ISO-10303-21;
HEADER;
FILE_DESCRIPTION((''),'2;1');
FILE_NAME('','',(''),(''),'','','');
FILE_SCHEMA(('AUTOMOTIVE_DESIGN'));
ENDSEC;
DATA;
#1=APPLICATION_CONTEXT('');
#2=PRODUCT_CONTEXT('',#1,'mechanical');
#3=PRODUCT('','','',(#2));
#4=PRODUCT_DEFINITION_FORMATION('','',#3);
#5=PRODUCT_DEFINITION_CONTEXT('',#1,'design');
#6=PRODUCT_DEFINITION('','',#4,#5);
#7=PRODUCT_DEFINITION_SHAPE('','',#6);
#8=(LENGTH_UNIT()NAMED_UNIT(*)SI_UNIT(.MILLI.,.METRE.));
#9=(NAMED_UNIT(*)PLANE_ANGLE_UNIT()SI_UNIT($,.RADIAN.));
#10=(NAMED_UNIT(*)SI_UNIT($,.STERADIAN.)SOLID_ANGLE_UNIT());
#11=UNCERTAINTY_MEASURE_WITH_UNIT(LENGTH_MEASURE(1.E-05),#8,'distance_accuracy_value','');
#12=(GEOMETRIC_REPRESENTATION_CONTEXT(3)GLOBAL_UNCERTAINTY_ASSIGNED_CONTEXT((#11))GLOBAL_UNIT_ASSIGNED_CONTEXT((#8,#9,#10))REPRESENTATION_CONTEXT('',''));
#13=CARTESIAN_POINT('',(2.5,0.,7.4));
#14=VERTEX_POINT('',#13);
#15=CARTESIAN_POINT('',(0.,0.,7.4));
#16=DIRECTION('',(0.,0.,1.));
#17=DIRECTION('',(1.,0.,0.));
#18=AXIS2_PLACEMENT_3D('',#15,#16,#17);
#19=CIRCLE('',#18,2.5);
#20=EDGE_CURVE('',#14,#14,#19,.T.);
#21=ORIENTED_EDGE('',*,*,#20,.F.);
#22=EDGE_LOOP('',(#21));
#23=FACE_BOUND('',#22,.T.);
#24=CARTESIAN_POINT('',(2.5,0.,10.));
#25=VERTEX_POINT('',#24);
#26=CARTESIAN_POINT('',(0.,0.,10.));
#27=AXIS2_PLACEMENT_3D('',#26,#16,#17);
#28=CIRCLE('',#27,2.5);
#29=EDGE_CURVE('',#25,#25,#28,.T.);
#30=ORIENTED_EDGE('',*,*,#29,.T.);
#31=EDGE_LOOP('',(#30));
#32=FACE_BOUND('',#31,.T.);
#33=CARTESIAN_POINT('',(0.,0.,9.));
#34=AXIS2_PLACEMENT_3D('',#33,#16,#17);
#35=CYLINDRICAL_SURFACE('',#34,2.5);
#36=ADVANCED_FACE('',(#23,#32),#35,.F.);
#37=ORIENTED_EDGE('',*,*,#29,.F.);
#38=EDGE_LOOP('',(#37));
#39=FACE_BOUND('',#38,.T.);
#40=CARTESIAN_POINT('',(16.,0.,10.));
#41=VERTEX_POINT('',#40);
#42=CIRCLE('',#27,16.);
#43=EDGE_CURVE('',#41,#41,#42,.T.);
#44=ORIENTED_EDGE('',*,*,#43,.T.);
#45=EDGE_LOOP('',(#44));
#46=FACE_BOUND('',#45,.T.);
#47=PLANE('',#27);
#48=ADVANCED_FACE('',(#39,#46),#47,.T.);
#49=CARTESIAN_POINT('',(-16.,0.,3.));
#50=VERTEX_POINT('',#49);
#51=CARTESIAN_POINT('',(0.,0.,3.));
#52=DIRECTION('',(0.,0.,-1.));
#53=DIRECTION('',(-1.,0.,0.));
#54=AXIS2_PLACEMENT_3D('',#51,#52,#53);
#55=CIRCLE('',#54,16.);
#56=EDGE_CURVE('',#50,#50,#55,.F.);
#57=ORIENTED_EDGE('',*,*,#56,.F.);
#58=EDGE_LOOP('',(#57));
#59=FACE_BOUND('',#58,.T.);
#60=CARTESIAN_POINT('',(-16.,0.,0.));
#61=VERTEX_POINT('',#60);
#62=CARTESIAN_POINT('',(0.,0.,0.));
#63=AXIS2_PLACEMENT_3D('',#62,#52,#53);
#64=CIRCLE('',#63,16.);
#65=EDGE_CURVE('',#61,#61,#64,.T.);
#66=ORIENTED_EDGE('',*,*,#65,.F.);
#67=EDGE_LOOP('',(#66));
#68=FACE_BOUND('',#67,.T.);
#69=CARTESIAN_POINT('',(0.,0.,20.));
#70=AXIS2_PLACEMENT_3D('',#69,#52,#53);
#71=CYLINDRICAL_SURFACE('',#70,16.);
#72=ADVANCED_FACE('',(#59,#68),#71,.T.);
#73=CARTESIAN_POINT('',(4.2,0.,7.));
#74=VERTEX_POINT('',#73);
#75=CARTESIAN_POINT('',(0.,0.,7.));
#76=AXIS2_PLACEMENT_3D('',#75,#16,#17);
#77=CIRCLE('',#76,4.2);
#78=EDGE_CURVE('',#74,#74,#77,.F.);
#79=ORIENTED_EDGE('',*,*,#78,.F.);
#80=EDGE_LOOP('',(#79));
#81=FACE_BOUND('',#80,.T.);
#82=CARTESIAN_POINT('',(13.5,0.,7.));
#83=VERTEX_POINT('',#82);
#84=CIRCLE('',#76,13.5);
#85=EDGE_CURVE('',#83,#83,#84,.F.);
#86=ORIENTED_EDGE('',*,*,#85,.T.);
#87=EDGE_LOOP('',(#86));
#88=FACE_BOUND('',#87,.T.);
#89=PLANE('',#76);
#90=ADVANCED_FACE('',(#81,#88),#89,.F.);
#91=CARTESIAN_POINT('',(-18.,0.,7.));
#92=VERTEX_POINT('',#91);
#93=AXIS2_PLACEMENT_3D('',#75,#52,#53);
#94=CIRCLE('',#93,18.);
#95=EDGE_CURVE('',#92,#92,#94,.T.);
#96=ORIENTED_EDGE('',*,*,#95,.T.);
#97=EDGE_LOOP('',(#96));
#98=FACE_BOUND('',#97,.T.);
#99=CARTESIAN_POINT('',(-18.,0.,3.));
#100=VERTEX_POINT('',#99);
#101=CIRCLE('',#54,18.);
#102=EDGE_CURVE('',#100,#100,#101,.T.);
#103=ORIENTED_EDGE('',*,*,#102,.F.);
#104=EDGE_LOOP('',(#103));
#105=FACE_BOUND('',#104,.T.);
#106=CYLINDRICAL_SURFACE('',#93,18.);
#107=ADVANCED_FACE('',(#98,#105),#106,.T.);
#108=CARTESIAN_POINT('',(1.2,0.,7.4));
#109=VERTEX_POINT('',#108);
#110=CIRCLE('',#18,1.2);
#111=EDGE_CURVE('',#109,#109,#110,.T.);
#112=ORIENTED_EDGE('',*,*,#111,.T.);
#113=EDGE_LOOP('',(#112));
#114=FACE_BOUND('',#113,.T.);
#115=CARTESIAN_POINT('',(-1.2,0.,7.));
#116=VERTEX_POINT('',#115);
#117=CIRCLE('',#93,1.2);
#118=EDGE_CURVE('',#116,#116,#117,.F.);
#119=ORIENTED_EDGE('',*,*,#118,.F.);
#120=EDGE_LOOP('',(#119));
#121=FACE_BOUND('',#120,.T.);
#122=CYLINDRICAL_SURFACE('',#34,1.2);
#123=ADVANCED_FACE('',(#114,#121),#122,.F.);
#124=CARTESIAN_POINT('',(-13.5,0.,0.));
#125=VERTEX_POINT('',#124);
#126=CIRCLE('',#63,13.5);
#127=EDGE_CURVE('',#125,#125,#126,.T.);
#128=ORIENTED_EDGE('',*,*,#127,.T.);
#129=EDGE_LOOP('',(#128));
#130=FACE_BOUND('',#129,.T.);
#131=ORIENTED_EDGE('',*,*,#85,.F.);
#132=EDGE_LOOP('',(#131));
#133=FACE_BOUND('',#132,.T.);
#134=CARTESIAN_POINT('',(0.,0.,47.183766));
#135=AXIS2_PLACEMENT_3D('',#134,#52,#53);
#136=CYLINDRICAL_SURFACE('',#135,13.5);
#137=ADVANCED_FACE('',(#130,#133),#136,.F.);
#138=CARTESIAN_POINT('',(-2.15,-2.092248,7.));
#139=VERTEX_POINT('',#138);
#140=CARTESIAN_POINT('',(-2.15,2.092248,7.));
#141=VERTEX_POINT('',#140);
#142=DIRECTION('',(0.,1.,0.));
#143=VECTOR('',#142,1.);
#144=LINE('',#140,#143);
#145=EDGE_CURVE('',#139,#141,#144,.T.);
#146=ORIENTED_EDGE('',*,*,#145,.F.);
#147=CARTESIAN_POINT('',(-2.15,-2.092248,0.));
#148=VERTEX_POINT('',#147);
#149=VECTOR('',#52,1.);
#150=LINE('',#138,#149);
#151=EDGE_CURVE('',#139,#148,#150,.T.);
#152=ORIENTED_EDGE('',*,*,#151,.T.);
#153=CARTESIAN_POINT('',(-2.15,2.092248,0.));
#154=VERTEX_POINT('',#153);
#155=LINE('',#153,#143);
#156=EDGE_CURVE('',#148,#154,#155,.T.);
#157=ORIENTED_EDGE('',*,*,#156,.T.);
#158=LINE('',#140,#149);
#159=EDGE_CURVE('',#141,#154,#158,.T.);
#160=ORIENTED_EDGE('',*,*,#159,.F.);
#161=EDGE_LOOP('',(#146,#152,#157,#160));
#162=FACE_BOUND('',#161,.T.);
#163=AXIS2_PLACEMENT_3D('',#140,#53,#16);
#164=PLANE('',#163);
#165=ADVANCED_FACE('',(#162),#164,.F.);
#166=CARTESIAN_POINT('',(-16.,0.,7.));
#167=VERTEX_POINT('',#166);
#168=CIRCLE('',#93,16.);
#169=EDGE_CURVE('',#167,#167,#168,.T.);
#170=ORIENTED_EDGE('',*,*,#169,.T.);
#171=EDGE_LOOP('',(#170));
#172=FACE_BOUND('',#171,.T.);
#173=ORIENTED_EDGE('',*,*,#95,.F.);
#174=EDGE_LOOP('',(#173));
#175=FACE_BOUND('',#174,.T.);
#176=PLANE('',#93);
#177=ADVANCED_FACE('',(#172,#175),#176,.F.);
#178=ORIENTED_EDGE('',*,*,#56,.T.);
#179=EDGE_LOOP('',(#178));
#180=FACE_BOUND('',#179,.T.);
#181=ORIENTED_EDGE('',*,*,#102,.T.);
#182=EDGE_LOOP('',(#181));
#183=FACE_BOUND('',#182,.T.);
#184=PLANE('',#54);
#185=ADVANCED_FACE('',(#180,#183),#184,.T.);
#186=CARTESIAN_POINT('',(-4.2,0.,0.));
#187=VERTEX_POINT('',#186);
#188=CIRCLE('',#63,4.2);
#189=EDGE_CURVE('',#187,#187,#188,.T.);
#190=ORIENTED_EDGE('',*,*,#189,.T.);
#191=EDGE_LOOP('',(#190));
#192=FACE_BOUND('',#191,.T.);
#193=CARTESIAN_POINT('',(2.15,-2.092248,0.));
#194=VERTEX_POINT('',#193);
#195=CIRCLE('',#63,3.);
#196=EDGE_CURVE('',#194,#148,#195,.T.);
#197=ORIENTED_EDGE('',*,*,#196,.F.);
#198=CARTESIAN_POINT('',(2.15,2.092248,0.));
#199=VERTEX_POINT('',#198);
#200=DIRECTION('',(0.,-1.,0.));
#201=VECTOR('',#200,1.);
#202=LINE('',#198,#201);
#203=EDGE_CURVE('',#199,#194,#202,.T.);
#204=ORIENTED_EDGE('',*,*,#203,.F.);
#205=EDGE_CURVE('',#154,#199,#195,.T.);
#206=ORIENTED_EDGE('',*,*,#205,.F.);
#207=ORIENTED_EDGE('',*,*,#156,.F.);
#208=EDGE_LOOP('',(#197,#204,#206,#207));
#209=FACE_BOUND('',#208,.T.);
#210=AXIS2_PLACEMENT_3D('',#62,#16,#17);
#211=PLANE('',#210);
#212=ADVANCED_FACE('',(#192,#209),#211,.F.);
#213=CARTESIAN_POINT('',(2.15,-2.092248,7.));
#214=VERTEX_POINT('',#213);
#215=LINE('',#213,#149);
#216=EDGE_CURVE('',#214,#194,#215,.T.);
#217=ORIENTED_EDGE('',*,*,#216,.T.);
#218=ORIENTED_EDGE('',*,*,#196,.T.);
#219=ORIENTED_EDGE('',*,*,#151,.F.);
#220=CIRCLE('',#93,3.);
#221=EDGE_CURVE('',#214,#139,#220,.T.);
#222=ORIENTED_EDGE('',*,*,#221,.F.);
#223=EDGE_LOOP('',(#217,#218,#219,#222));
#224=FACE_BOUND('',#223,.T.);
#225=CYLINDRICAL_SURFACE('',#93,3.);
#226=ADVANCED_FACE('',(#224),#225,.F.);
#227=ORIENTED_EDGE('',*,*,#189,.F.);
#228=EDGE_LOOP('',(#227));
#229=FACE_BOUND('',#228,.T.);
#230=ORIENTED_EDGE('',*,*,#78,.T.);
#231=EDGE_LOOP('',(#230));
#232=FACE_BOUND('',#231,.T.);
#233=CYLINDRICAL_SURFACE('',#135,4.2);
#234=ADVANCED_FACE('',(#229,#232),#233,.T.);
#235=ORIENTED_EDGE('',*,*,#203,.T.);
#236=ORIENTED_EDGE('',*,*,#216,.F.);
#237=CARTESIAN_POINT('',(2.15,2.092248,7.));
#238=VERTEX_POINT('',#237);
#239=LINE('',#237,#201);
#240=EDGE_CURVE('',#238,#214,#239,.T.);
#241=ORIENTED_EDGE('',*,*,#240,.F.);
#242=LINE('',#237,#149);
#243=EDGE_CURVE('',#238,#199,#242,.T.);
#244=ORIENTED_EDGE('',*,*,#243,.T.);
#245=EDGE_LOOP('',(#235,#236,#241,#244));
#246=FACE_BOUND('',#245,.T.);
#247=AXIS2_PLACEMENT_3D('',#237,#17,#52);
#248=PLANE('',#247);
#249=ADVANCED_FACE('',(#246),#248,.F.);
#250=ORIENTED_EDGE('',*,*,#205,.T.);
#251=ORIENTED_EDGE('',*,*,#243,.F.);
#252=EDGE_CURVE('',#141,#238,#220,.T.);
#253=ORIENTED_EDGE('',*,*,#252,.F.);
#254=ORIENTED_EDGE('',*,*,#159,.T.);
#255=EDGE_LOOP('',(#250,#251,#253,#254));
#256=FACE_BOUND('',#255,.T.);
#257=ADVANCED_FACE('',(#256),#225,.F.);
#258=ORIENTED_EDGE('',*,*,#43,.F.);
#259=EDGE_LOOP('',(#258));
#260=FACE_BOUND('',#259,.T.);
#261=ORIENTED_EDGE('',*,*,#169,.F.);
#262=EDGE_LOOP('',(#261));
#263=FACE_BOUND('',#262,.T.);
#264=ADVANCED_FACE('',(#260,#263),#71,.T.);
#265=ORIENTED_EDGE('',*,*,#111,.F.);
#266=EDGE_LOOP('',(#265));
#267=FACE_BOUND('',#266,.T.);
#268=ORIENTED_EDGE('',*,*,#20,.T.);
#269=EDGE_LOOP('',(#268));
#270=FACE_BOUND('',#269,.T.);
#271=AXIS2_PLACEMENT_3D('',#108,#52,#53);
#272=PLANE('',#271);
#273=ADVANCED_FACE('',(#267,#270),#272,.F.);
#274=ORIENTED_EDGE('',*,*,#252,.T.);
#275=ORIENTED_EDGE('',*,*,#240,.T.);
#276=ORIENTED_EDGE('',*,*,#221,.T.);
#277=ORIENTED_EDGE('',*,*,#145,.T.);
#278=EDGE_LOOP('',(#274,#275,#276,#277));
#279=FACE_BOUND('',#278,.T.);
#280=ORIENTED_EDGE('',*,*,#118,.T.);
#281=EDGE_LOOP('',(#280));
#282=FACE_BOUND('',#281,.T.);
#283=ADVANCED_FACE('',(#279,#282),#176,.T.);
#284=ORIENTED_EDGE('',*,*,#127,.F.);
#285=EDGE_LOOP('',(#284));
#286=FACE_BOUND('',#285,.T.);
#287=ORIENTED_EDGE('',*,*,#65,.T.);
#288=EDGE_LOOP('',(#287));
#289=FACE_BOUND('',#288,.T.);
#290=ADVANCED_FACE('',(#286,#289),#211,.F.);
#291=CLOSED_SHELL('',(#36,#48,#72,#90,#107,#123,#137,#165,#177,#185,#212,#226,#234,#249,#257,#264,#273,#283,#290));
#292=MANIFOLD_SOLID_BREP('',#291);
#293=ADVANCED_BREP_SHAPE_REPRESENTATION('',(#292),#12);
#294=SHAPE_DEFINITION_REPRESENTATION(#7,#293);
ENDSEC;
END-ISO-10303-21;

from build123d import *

# Parameters (mm, degrees)
ESQUISSE1_R                                        = 14.5
BOSS_EXTRU_1_DEPTH                                 = 10
BOSS_EXTRU_2_START                                 = 1
ESQUISSE2_R                                        = 16.5
BOSS_EXTRU_2_DEPTH                                 = 8
ESQUISSE6_R                                        = 13.5
ENL_V_MAT_EXTRU_4_DEPTH                            = 1
CHAMBRAGE_POUR_VIS_T_TE_RONDE_BOMB_E_M_D           = 2.4
CHAMBRAGE_POUR_VIS_T_TE_RONDE_BOMB_E_M_CBORE_D     = 5
CHAMBRAGE_POUR_VIS_T_TE_RONDE_BOMB_E_M_CBORE_DEPTH = 1.6
ESQUISSE13_R                                       = 13.5
ESQUISSE13_R_2                                     = 4.2
ENL_V_MAT_EXTRU_7_DEPTH                            = 7
ENL_V_MAT_EXTRU_8_DEPTH                            = 7
BOSS_EXTRUDE2_START                                = -9
SKETCH2_R                                          = 16.5
SKETCH2_R_2                                        = 14.5
BOSS_EXTRUDE2_DEPTH                                = 10
SKETCH3_R                                          = 22.5
SKETCH3_R_2                                        = 16.5
BOSS_EXTRUDE3_DEPTH                                = 10
FILLET1_R                                          = 1
BOSS_EXTRUDE4_DEPTH                                = 0.5
CIRPATTERN1_COUNT                                  = 70
SKETCH5_R                                          = 40
SKETCH5_R_2                                        = 16
CUT_EXTRUDE1_DEPTH                                 = 20
BOSS_EXTRUDE5_START                                = -3
SKETCH6_R                                          = 18
SKETCH6_R_2                                        = 16
BOSS_EXTRUDE5_DEPTH                                = 4
SKETCH8_R                                          = 13.5
SKETCH8_R_2                                        = 2.5
BOSS_EXTRUDE6_DEPTH                                = 1


with BuildPart() as part:
    # Esquisse1 → Boss.-Extru.1 (new body)
    with BuildSketch(Plane.XY):
        Circle(ESQUISSE1_R)
    extrude(amount=BOSS_EXTRU_1_DEPTH)

    # Esquisse2 → Boss.-Extru.2 (add)
    with BuildSketch(Plane.XY.offset(BOSS_EXTRU_2_START)):
        Circle(ESQUISSE2_R)
    extrude(amount=BOSS_EXTRU_2_DEPTH)

    # Esquisse6 → Enlèv. mat.-Extru.4 (cut)
    with BuildSketch(Plane.XY.offset(10)):
        Circle(ESQUISSE6_R)
    extrude(amount=-ENL_V_MAT_EXTRU_4_DEPTH, mode=Mode.SUBTRACT)

    # Chambrage pour vis à tête ronde bombée M21 (through all)
    with Locations(Plane.XY.offset(9)):
        with Locations((0, 0)):
            CounterBoreHole(CHAMBRAGE_POUR_VIS_T_TE_RONDE_BOMB_E_M_D / 2, CHAMBRAGE_POUR_VIS_T_TE_RONDE_BOMB_E_M_CBORE_D / 2, CHAMBRAGE_POUR_VIS_T_TE_RONDE_BOMB_E_M_CBORE_DEPTH)

    # Esquisse13 → Enlèv. mat.-Extru.7 (cut)
    with BuildSketch(Plane(origin=(0, 0, 0), x_dir=(-1, 0, 0), z_dir=(0, 0, -1))):
        Circle(ESQUISSE13_R)
        Circle(ESQUISSE13_R_2, mode=Mode.SUBTRACT)
    extrude(amount=-ENL_V_MAT_EXTRU_7_DEPTH, mode=Mode.SUBTRACT)

    # Esquisse15 → Enlèv. mat.-Extru.8 (cut)
    with BuildSketch(Plane(origin=(0, 0, 0), x_dir=(-1, 0, 0), z_dir=(0, 0, -1))):
        with BuildLine():
            Line((-2.15, 2.092247595), (-2.15, -2.092247595))
            ThreePointArc((-2.15, -2.092247595), (0, -3), (2.15, -2.092247595))
            Line((2.15, -2.092247595), (2.15, 2.092247595))
            ThreePointArc((2.15, 2.092247595), (0, 3), (-2.15, 2.092247595))
        make_face()
    extrude(amount=-ENL_V_MAT_EXTRU_8_DEPTH, mode=Mode.SUBTRACT)

    # Sketch2 → Boss-Extrude2 (add)
    with BuildSketch(Plane(origin=(0, 0, 1), x_dir=(-1, 0, 0), z_dir=(0, 0, -1)).offset(BOSS_EXTRUDE2_START)):
        Circle(SKETCH2_R)
        Circle(SKETCH2_R_2, mode=Mode.SUBTRACT)
    extrude(amount=BOSS_EXTRUDE2_DEPTH)

    # Sketch3 → Boss-Extrude3 (add)
    with BuildSketch(Plane(origin=(0, 0, 0), x_dir=(-1, 0, 0), z_dir=(0, 0, -1))):
        Circle(SKETCH3_R)
        Circle(SKETCH3_R_2, mode=Mode.SUBTRACT)
    extrude(amount=-BOSS_EXTRUDE3_DEPTH)

    # Fillet1
    fillet1_edges = [part.edges().sort_by_distance(p)[0] for p in [
        (22.5, 0, 10),
        (22.5, 0, 0),
    ]]
    fillet(fillet1_edges, radius=FILLET1_R)

    # Sketch4 → Boss-Extrude4 (add, symmetric)
    with BuildSketch(Plane(origin=(0, 0, 0), x_dir=(0, 0, -1), z_dir=(1, 0, 0))):
        with BuildLine():
            Line((-9, 22.5), (-9, 18))
            Line((-9, 18), (-1, 18))
            Line((-1, 18), (-1, 22.5))
            ThreePointArc((-1, 22.5), (-5, 23.4), (-9, 22.5))
        make_face()
    boss_extrude4 = extrude(amount=BOSS_EXTRUDE4_DEPTH, both=True)

    # CirPattern1: Boss-Extrude4 ×70 about axis
    cirpattern1_axis = Axis((0, 0, 0), (0, 0, 1))
    for i in range(1, CIRPATTERN1_COUNT):
        add(boss_extrude4.rotate(cirpattern1_axis, i * 360 / CIRPATTERN1_COUNT))

    # Sketch5 → Cut-Extrude1 (cut)
    with BuildSketch(Plane(origin=(0, 0, 0), x_dir=(-1, 0, 0), z_dir=(0, 0, -1))):
        Circle(SKETCH5_R)
        Circle(SKETCH5_R_2, mode=Mode.SUBTRACT)
    extrude(amount=-CUT_EXTRUDE1_DEPTH, mode=Mode.SUBTRACT)

    # Sketch6 → Boss-Extrude5 (add)
    with BuildSketch(Plane(origin=(0, 0, 0), x_dir=(-1, 0, 0), z_dir=(0, 0, -1)).offset(BOSS_EXTRUDE5_START)):
        Circle(SKETCH6_R)
        Circle(SKETCH6_R_2, mode=Mode.SUBTRACT)
    extrude(amount=-BOSS_EXTRUDE5_DEPTH)

    # Sketch8 → Boss-Extrude6 (add)
    with BuildSketch(Plane.XY.offset(9)):
        Circle(SKETCH8_R)
        Circle(SKETCH8_R_2, mode=Mode.SUBTRACT)
    extrude(amount=BOSS_EXTRUDE6_DEPTH)


solid = part.part
